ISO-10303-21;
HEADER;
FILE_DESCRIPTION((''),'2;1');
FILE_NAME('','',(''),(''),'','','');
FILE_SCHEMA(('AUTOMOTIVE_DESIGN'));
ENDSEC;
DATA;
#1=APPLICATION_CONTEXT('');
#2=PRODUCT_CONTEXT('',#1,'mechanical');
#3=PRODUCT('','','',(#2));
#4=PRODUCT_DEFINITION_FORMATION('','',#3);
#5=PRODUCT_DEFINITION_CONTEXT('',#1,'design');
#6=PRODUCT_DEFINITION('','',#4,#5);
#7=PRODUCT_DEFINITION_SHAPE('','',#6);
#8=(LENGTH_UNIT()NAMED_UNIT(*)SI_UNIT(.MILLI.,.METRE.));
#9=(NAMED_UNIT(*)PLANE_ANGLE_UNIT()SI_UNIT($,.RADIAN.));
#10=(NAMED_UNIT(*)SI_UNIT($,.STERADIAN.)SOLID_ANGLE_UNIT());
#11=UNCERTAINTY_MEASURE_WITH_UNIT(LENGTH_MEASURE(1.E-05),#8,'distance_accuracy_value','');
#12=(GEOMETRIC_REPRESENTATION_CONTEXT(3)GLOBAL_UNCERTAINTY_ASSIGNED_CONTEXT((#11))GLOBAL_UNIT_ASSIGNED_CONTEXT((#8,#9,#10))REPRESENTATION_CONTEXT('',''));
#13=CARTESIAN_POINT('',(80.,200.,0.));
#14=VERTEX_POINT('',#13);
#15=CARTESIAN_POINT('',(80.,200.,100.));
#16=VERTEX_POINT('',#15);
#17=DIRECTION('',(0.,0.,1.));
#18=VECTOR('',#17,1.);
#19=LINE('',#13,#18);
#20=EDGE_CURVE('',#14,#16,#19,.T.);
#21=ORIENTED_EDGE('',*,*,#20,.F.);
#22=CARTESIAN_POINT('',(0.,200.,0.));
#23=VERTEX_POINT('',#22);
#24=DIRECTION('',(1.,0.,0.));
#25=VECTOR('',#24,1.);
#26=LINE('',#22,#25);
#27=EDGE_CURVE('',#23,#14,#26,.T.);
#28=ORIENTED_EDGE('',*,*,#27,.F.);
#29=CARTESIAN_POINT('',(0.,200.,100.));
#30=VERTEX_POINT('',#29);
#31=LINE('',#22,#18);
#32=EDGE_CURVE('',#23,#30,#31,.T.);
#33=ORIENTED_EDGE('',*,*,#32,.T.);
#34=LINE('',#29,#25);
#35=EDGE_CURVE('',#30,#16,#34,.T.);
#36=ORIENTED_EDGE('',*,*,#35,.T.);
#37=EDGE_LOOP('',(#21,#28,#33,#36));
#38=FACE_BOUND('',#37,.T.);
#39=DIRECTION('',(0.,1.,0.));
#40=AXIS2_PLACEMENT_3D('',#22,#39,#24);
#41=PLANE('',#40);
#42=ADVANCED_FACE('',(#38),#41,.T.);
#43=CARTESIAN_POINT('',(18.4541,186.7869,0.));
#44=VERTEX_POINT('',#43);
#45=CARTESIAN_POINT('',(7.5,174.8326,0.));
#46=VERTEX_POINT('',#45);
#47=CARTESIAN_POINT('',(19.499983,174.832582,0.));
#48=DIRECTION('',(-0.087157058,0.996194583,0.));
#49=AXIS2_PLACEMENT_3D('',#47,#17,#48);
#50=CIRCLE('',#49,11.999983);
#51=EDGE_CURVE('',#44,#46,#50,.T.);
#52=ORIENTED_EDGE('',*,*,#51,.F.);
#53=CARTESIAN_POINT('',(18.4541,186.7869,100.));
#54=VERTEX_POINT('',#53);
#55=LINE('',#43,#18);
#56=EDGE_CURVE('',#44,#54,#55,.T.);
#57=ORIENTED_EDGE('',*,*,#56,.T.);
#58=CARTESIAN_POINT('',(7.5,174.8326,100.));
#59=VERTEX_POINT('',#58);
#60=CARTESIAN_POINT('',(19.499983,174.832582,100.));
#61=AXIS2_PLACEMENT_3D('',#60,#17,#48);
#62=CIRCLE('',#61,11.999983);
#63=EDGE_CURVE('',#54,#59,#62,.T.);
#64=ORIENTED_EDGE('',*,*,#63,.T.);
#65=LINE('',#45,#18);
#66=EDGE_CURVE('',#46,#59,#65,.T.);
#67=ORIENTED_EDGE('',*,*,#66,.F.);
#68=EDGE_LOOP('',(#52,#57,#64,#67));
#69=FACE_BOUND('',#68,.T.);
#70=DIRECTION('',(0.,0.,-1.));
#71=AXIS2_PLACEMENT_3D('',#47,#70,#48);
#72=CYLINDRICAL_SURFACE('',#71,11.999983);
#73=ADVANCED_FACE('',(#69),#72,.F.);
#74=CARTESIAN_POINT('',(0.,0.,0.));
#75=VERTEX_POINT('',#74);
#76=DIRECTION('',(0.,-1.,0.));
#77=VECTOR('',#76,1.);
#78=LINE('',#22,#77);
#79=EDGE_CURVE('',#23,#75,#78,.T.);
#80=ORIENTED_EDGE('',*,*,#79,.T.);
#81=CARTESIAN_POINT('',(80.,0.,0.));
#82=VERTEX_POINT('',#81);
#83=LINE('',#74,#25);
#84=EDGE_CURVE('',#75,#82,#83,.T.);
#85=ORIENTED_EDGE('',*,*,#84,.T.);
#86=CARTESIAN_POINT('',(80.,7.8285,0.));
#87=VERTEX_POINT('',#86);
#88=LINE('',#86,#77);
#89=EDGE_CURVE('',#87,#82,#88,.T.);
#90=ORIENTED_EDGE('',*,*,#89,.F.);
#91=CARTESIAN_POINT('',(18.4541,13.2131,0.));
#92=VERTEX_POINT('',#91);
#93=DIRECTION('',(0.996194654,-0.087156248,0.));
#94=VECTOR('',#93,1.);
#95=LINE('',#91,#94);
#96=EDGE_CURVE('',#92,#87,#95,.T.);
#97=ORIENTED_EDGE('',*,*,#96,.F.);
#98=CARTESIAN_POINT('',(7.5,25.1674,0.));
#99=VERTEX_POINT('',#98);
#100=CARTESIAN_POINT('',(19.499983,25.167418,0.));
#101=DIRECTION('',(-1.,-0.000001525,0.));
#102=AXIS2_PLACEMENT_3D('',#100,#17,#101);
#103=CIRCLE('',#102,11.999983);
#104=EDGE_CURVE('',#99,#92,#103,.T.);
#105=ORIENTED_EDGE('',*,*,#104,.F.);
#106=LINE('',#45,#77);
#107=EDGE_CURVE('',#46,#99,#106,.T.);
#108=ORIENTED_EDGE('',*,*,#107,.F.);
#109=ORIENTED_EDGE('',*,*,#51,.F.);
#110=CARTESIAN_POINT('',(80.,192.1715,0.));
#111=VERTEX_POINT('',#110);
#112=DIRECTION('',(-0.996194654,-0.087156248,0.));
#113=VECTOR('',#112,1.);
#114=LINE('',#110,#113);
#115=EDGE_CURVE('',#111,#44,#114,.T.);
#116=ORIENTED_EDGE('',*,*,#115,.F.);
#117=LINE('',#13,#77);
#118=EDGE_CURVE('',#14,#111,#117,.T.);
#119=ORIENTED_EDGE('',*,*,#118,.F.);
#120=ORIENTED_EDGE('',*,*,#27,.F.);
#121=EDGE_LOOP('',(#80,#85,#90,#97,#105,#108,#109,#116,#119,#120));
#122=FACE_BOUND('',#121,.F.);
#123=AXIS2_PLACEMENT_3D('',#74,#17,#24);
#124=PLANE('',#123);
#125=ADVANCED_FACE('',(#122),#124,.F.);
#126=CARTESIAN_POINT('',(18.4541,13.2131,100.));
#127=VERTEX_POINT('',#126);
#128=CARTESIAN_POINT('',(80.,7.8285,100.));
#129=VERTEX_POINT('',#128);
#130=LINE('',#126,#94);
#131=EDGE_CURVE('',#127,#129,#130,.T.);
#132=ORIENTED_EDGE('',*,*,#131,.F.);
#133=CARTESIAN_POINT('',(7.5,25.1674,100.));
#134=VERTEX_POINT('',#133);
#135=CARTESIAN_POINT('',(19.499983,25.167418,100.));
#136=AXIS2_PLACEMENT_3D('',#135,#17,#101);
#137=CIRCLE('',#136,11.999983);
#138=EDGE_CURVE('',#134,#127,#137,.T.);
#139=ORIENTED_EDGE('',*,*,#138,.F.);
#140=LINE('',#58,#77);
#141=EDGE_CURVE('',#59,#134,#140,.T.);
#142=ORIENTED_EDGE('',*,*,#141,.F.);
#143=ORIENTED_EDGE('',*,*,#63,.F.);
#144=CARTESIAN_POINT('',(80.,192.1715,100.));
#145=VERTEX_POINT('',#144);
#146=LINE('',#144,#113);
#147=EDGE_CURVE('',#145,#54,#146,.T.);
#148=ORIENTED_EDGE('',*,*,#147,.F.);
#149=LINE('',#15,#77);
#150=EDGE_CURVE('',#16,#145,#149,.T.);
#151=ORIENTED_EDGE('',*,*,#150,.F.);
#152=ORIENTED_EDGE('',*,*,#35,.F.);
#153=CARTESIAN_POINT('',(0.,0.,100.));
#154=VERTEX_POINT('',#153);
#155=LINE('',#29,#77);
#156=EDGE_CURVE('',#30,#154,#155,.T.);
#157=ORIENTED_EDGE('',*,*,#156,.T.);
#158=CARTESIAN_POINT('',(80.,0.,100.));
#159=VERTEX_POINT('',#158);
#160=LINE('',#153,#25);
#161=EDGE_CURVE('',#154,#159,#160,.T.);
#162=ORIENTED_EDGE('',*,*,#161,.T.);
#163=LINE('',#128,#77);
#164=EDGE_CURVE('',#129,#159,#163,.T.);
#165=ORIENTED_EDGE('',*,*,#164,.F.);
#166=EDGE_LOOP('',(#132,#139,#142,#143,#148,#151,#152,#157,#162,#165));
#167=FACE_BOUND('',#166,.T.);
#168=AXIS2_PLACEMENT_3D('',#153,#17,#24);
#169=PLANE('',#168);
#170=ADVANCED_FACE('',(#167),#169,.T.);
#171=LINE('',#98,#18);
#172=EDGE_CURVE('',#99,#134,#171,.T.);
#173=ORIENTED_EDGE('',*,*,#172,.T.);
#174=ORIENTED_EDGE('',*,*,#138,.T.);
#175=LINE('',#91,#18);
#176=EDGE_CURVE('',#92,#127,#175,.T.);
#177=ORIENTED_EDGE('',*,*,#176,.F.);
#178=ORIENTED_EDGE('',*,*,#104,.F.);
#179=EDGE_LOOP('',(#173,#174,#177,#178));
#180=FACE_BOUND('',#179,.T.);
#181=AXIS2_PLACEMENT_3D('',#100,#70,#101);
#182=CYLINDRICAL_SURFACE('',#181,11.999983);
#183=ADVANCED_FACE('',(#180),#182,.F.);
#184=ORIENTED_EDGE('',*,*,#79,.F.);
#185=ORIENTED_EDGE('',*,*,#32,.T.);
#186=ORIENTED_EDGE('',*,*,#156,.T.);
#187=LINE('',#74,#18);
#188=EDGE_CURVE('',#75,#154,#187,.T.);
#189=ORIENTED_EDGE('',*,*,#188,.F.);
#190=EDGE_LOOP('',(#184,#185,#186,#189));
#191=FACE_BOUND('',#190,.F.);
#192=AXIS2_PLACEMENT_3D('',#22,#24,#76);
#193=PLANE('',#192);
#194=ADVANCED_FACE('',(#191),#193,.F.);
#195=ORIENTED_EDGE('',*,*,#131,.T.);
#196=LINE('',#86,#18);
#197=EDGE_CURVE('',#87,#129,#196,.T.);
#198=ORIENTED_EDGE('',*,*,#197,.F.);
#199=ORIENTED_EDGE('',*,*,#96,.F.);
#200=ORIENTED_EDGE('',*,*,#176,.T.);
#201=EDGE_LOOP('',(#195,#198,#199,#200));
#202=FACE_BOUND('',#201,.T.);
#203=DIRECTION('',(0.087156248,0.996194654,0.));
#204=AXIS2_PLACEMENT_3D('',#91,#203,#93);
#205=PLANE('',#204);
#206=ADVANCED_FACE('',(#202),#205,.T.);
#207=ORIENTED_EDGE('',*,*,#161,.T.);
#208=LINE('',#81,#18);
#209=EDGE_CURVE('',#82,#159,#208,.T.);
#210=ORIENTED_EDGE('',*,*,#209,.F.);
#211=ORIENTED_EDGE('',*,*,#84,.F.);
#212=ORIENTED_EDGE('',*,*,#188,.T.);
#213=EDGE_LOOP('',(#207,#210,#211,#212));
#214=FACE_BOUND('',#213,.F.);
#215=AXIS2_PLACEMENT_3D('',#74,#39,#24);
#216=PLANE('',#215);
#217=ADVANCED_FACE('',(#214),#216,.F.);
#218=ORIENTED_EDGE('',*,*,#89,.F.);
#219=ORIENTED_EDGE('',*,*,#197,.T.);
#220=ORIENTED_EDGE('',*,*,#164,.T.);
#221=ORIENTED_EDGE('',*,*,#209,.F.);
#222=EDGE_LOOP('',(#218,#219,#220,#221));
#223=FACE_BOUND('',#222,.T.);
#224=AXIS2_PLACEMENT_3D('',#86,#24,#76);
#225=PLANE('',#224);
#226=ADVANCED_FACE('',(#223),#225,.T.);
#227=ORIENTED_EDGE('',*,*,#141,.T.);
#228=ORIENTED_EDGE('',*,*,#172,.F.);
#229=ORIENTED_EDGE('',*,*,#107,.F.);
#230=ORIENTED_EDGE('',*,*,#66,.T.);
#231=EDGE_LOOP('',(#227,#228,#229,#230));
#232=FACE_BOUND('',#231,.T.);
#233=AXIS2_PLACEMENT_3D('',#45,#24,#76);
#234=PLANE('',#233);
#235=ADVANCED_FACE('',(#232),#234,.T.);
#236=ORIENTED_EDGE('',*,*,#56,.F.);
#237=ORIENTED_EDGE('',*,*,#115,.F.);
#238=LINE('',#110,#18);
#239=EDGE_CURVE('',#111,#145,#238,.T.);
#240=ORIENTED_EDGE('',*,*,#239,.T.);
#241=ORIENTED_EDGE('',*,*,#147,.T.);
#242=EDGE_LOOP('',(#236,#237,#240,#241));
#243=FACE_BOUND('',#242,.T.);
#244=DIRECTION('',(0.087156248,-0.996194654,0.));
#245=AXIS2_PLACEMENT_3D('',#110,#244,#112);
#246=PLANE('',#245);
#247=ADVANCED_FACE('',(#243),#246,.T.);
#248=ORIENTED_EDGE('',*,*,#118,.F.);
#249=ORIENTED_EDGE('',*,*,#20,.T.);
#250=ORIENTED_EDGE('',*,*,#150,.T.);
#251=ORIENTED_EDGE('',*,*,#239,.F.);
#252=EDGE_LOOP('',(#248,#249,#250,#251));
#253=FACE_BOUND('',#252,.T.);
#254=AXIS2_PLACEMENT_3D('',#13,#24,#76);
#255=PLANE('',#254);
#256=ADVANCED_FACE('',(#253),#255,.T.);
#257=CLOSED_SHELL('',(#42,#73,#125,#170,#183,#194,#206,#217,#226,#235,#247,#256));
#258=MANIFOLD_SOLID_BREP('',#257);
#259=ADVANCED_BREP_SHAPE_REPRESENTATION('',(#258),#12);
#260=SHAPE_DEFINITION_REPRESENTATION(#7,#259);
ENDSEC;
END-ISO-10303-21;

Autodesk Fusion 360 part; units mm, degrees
sketch "スケッチ1" plane through (0, 0, 0) normal (0, 0, 1) x (1, 0, 0)
  line L0 (7.5, 174.8326) -> (7.5, 25.1674)
  line L1 (0, 200) -> (0, 0)
  line L2 (0, 0) -> (80, 0)
  line L3 (80, 7.8285) -> (80, 0)
  line L4 (18.4541, 13.2131) -> (80, 7.8285)
  arc A0 (7.5, 25.1674) -> (18.4541, 13.2131) centre (19.5, 25.1674) ccw
  line L5 (80, 192.1715) -> (18.4541, 186.7869)
  line L6 (0, 200) -> (80, 200)
  arc A1 (18.4541, 186.7869) -> (7.5, 174.8326) centre (19.5, 174.8326) ccw
  line L7 (80, 200) -> (80, 192.1715)
extrude "押し出し1" add sketch "スケッチ1" along normal blind 100
